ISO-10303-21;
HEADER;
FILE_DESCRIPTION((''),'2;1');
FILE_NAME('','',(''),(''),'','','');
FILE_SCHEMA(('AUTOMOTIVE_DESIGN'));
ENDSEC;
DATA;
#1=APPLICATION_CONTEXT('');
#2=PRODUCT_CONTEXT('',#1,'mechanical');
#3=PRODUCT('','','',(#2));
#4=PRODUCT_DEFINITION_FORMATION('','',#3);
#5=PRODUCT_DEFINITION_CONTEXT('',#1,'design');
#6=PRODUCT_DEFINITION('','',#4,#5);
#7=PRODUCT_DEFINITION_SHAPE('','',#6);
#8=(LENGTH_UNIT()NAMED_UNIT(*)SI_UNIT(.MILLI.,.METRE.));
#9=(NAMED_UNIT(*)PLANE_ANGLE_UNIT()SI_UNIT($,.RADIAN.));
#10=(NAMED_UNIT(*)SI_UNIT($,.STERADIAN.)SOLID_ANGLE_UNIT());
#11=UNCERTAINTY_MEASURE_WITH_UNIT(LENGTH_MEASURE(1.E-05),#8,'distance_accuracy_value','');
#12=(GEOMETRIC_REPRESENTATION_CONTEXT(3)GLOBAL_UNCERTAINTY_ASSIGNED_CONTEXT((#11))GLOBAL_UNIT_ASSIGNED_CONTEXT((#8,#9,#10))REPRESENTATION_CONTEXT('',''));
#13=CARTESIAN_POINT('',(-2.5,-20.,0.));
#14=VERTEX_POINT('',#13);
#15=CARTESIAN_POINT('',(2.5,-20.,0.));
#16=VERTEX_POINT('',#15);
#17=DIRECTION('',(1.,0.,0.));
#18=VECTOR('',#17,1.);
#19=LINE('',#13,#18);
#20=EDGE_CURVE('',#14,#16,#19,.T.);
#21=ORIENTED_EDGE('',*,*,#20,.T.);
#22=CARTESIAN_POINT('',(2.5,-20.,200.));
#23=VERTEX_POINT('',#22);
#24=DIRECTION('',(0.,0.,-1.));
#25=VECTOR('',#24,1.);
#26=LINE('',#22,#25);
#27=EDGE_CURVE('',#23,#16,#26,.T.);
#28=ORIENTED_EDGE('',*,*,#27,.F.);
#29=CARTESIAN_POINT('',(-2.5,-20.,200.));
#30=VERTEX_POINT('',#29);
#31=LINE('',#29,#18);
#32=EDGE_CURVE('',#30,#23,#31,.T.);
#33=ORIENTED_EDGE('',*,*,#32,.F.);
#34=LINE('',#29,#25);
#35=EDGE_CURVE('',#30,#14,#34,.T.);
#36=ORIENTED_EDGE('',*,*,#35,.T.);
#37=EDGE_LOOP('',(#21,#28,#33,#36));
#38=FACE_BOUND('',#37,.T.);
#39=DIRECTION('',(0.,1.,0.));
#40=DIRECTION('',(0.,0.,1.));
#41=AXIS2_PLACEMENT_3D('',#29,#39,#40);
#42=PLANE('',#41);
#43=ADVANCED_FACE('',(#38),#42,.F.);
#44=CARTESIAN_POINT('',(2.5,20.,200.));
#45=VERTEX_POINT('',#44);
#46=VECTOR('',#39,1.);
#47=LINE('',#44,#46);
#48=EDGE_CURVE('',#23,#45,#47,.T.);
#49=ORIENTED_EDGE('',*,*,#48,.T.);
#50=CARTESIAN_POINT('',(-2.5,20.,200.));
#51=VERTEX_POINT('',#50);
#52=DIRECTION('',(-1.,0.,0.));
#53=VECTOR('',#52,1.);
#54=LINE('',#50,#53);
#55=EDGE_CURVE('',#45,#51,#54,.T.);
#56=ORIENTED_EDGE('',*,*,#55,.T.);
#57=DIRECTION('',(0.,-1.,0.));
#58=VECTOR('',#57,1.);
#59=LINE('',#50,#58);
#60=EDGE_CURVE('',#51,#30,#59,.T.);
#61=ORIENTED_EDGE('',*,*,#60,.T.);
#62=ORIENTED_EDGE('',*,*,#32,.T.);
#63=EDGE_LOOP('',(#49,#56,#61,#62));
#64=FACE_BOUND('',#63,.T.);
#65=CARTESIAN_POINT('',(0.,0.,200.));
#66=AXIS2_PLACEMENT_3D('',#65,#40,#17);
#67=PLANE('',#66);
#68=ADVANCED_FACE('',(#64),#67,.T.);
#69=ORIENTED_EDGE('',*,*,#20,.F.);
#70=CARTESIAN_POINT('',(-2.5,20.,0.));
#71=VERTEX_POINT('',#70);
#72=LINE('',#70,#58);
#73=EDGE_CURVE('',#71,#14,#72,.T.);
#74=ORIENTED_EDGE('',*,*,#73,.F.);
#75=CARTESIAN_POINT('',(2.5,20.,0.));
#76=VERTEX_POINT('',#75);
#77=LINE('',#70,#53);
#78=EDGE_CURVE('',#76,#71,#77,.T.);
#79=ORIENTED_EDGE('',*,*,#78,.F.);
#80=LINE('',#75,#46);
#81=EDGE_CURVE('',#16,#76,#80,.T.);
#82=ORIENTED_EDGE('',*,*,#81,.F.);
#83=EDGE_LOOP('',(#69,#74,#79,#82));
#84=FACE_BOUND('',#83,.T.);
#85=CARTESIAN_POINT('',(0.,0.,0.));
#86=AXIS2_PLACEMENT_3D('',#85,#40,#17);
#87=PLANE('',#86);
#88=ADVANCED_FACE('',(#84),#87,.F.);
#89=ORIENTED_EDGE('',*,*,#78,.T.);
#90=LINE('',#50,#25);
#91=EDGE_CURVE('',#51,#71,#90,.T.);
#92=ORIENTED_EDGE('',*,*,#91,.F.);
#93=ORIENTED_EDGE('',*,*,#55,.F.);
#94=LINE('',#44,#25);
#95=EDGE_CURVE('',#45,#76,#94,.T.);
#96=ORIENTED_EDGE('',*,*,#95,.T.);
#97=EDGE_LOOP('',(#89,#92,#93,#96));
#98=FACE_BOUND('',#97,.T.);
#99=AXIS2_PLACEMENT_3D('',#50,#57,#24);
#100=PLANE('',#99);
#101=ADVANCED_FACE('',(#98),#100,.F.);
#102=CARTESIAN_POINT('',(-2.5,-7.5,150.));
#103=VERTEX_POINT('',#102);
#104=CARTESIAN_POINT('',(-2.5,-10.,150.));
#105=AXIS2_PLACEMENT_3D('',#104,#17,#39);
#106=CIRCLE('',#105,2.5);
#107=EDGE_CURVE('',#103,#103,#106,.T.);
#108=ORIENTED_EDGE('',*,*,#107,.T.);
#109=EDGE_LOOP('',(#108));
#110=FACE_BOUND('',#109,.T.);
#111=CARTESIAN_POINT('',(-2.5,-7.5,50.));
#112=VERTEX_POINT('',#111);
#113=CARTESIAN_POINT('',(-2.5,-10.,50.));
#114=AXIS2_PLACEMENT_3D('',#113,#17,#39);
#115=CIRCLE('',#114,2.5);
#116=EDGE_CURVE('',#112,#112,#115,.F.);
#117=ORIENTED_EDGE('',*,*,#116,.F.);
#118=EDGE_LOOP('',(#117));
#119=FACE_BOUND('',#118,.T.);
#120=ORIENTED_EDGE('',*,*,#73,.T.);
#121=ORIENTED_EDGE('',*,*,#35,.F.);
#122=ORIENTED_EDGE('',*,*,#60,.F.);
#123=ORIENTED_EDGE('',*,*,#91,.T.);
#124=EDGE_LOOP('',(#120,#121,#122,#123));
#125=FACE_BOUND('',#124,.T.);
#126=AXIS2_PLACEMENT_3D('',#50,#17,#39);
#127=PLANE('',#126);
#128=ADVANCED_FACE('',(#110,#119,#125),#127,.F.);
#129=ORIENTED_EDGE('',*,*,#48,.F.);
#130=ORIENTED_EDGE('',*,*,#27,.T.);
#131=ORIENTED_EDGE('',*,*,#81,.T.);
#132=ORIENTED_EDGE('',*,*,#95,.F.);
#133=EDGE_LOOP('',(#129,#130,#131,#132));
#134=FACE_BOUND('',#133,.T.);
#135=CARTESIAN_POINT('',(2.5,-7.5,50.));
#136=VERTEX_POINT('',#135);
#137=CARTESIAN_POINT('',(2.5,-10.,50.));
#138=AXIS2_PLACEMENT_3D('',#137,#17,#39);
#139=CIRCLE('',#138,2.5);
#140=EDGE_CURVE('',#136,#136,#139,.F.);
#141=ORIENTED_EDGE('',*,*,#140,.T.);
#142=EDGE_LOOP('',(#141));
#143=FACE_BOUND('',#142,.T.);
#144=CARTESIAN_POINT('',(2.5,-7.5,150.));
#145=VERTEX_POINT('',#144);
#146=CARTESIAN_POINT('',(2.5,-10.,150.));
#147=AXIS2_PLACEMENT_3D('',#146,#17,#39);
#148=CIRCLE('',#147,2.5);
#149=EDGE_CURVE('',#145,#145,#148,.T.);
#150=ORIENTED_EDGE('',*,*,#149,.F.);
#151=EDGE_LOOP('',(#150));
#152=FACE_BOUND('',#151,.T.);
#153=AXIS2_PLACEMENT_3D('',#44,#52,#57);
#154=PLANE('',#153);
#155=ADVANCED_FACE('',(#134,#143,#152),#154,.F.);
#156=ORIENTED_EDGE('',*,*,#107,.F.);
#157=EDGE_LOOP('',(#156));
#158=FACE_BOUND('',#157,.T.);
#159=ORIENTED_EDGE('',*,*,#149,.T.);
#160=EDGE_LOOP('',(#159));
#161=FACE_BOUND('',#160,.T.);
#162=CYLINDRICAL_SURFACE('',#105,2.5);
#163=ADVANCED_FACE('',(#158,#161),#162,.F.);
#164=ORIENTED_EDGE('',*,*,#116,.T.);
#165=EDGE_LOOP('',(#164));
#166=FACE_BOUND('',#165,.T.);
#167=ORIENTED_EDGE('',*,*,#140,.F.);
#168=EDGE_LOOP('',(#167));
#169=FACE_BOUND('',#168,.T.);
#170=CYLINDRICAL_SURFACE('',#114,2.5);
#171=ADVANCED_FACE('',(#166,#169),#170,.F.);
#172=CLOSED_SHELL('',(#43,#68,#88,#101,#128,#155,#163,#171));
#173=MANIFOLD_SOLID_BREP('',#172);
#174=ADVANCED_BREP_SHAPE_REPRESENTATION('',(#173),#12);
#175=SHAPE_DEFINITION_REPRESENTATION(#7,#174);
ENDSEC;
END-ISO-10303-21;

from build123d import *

# Parameters (mm, degrees)
SKETCH_1_W          = 5
SKETCH_1_H          = 40
EXTRUDE_1_DEPTH     = 200
SKETCH_2_R          = 2.5
CUT_EXTRUDE_1_DEPTH = 202.059692629


with BuildPart() as part:
    # 草图1 → 凸台-拉伸1 (new body)
    with BuildSketch(Plane.XY):
        Rectangle(SKETCH_1_W, SKETCH_1_H)
    extrude(amount=EXTRUDE_1_DEPTH)

    # 草图2 → 切除-拉伸1 (cut, through all)
    with BuildSketch(Plane(origin=(2.5, 0, 0), x_dir=(0, 0, -1), z_dir=(1, 0, 0))):
        with Locations(Location((-150, -10, 0), (0, 0, 90))):
            Circle(SKETCH_2_R)
        with Locations(Location((-50, -10, 0), (0, 0, 90))):
            Circle(SKETCH_2_R)
    extrude(amount=-CUT_EXTRUDE_1_DEPTH, mode=Mode.SUBTRACT)


solid = part.part
